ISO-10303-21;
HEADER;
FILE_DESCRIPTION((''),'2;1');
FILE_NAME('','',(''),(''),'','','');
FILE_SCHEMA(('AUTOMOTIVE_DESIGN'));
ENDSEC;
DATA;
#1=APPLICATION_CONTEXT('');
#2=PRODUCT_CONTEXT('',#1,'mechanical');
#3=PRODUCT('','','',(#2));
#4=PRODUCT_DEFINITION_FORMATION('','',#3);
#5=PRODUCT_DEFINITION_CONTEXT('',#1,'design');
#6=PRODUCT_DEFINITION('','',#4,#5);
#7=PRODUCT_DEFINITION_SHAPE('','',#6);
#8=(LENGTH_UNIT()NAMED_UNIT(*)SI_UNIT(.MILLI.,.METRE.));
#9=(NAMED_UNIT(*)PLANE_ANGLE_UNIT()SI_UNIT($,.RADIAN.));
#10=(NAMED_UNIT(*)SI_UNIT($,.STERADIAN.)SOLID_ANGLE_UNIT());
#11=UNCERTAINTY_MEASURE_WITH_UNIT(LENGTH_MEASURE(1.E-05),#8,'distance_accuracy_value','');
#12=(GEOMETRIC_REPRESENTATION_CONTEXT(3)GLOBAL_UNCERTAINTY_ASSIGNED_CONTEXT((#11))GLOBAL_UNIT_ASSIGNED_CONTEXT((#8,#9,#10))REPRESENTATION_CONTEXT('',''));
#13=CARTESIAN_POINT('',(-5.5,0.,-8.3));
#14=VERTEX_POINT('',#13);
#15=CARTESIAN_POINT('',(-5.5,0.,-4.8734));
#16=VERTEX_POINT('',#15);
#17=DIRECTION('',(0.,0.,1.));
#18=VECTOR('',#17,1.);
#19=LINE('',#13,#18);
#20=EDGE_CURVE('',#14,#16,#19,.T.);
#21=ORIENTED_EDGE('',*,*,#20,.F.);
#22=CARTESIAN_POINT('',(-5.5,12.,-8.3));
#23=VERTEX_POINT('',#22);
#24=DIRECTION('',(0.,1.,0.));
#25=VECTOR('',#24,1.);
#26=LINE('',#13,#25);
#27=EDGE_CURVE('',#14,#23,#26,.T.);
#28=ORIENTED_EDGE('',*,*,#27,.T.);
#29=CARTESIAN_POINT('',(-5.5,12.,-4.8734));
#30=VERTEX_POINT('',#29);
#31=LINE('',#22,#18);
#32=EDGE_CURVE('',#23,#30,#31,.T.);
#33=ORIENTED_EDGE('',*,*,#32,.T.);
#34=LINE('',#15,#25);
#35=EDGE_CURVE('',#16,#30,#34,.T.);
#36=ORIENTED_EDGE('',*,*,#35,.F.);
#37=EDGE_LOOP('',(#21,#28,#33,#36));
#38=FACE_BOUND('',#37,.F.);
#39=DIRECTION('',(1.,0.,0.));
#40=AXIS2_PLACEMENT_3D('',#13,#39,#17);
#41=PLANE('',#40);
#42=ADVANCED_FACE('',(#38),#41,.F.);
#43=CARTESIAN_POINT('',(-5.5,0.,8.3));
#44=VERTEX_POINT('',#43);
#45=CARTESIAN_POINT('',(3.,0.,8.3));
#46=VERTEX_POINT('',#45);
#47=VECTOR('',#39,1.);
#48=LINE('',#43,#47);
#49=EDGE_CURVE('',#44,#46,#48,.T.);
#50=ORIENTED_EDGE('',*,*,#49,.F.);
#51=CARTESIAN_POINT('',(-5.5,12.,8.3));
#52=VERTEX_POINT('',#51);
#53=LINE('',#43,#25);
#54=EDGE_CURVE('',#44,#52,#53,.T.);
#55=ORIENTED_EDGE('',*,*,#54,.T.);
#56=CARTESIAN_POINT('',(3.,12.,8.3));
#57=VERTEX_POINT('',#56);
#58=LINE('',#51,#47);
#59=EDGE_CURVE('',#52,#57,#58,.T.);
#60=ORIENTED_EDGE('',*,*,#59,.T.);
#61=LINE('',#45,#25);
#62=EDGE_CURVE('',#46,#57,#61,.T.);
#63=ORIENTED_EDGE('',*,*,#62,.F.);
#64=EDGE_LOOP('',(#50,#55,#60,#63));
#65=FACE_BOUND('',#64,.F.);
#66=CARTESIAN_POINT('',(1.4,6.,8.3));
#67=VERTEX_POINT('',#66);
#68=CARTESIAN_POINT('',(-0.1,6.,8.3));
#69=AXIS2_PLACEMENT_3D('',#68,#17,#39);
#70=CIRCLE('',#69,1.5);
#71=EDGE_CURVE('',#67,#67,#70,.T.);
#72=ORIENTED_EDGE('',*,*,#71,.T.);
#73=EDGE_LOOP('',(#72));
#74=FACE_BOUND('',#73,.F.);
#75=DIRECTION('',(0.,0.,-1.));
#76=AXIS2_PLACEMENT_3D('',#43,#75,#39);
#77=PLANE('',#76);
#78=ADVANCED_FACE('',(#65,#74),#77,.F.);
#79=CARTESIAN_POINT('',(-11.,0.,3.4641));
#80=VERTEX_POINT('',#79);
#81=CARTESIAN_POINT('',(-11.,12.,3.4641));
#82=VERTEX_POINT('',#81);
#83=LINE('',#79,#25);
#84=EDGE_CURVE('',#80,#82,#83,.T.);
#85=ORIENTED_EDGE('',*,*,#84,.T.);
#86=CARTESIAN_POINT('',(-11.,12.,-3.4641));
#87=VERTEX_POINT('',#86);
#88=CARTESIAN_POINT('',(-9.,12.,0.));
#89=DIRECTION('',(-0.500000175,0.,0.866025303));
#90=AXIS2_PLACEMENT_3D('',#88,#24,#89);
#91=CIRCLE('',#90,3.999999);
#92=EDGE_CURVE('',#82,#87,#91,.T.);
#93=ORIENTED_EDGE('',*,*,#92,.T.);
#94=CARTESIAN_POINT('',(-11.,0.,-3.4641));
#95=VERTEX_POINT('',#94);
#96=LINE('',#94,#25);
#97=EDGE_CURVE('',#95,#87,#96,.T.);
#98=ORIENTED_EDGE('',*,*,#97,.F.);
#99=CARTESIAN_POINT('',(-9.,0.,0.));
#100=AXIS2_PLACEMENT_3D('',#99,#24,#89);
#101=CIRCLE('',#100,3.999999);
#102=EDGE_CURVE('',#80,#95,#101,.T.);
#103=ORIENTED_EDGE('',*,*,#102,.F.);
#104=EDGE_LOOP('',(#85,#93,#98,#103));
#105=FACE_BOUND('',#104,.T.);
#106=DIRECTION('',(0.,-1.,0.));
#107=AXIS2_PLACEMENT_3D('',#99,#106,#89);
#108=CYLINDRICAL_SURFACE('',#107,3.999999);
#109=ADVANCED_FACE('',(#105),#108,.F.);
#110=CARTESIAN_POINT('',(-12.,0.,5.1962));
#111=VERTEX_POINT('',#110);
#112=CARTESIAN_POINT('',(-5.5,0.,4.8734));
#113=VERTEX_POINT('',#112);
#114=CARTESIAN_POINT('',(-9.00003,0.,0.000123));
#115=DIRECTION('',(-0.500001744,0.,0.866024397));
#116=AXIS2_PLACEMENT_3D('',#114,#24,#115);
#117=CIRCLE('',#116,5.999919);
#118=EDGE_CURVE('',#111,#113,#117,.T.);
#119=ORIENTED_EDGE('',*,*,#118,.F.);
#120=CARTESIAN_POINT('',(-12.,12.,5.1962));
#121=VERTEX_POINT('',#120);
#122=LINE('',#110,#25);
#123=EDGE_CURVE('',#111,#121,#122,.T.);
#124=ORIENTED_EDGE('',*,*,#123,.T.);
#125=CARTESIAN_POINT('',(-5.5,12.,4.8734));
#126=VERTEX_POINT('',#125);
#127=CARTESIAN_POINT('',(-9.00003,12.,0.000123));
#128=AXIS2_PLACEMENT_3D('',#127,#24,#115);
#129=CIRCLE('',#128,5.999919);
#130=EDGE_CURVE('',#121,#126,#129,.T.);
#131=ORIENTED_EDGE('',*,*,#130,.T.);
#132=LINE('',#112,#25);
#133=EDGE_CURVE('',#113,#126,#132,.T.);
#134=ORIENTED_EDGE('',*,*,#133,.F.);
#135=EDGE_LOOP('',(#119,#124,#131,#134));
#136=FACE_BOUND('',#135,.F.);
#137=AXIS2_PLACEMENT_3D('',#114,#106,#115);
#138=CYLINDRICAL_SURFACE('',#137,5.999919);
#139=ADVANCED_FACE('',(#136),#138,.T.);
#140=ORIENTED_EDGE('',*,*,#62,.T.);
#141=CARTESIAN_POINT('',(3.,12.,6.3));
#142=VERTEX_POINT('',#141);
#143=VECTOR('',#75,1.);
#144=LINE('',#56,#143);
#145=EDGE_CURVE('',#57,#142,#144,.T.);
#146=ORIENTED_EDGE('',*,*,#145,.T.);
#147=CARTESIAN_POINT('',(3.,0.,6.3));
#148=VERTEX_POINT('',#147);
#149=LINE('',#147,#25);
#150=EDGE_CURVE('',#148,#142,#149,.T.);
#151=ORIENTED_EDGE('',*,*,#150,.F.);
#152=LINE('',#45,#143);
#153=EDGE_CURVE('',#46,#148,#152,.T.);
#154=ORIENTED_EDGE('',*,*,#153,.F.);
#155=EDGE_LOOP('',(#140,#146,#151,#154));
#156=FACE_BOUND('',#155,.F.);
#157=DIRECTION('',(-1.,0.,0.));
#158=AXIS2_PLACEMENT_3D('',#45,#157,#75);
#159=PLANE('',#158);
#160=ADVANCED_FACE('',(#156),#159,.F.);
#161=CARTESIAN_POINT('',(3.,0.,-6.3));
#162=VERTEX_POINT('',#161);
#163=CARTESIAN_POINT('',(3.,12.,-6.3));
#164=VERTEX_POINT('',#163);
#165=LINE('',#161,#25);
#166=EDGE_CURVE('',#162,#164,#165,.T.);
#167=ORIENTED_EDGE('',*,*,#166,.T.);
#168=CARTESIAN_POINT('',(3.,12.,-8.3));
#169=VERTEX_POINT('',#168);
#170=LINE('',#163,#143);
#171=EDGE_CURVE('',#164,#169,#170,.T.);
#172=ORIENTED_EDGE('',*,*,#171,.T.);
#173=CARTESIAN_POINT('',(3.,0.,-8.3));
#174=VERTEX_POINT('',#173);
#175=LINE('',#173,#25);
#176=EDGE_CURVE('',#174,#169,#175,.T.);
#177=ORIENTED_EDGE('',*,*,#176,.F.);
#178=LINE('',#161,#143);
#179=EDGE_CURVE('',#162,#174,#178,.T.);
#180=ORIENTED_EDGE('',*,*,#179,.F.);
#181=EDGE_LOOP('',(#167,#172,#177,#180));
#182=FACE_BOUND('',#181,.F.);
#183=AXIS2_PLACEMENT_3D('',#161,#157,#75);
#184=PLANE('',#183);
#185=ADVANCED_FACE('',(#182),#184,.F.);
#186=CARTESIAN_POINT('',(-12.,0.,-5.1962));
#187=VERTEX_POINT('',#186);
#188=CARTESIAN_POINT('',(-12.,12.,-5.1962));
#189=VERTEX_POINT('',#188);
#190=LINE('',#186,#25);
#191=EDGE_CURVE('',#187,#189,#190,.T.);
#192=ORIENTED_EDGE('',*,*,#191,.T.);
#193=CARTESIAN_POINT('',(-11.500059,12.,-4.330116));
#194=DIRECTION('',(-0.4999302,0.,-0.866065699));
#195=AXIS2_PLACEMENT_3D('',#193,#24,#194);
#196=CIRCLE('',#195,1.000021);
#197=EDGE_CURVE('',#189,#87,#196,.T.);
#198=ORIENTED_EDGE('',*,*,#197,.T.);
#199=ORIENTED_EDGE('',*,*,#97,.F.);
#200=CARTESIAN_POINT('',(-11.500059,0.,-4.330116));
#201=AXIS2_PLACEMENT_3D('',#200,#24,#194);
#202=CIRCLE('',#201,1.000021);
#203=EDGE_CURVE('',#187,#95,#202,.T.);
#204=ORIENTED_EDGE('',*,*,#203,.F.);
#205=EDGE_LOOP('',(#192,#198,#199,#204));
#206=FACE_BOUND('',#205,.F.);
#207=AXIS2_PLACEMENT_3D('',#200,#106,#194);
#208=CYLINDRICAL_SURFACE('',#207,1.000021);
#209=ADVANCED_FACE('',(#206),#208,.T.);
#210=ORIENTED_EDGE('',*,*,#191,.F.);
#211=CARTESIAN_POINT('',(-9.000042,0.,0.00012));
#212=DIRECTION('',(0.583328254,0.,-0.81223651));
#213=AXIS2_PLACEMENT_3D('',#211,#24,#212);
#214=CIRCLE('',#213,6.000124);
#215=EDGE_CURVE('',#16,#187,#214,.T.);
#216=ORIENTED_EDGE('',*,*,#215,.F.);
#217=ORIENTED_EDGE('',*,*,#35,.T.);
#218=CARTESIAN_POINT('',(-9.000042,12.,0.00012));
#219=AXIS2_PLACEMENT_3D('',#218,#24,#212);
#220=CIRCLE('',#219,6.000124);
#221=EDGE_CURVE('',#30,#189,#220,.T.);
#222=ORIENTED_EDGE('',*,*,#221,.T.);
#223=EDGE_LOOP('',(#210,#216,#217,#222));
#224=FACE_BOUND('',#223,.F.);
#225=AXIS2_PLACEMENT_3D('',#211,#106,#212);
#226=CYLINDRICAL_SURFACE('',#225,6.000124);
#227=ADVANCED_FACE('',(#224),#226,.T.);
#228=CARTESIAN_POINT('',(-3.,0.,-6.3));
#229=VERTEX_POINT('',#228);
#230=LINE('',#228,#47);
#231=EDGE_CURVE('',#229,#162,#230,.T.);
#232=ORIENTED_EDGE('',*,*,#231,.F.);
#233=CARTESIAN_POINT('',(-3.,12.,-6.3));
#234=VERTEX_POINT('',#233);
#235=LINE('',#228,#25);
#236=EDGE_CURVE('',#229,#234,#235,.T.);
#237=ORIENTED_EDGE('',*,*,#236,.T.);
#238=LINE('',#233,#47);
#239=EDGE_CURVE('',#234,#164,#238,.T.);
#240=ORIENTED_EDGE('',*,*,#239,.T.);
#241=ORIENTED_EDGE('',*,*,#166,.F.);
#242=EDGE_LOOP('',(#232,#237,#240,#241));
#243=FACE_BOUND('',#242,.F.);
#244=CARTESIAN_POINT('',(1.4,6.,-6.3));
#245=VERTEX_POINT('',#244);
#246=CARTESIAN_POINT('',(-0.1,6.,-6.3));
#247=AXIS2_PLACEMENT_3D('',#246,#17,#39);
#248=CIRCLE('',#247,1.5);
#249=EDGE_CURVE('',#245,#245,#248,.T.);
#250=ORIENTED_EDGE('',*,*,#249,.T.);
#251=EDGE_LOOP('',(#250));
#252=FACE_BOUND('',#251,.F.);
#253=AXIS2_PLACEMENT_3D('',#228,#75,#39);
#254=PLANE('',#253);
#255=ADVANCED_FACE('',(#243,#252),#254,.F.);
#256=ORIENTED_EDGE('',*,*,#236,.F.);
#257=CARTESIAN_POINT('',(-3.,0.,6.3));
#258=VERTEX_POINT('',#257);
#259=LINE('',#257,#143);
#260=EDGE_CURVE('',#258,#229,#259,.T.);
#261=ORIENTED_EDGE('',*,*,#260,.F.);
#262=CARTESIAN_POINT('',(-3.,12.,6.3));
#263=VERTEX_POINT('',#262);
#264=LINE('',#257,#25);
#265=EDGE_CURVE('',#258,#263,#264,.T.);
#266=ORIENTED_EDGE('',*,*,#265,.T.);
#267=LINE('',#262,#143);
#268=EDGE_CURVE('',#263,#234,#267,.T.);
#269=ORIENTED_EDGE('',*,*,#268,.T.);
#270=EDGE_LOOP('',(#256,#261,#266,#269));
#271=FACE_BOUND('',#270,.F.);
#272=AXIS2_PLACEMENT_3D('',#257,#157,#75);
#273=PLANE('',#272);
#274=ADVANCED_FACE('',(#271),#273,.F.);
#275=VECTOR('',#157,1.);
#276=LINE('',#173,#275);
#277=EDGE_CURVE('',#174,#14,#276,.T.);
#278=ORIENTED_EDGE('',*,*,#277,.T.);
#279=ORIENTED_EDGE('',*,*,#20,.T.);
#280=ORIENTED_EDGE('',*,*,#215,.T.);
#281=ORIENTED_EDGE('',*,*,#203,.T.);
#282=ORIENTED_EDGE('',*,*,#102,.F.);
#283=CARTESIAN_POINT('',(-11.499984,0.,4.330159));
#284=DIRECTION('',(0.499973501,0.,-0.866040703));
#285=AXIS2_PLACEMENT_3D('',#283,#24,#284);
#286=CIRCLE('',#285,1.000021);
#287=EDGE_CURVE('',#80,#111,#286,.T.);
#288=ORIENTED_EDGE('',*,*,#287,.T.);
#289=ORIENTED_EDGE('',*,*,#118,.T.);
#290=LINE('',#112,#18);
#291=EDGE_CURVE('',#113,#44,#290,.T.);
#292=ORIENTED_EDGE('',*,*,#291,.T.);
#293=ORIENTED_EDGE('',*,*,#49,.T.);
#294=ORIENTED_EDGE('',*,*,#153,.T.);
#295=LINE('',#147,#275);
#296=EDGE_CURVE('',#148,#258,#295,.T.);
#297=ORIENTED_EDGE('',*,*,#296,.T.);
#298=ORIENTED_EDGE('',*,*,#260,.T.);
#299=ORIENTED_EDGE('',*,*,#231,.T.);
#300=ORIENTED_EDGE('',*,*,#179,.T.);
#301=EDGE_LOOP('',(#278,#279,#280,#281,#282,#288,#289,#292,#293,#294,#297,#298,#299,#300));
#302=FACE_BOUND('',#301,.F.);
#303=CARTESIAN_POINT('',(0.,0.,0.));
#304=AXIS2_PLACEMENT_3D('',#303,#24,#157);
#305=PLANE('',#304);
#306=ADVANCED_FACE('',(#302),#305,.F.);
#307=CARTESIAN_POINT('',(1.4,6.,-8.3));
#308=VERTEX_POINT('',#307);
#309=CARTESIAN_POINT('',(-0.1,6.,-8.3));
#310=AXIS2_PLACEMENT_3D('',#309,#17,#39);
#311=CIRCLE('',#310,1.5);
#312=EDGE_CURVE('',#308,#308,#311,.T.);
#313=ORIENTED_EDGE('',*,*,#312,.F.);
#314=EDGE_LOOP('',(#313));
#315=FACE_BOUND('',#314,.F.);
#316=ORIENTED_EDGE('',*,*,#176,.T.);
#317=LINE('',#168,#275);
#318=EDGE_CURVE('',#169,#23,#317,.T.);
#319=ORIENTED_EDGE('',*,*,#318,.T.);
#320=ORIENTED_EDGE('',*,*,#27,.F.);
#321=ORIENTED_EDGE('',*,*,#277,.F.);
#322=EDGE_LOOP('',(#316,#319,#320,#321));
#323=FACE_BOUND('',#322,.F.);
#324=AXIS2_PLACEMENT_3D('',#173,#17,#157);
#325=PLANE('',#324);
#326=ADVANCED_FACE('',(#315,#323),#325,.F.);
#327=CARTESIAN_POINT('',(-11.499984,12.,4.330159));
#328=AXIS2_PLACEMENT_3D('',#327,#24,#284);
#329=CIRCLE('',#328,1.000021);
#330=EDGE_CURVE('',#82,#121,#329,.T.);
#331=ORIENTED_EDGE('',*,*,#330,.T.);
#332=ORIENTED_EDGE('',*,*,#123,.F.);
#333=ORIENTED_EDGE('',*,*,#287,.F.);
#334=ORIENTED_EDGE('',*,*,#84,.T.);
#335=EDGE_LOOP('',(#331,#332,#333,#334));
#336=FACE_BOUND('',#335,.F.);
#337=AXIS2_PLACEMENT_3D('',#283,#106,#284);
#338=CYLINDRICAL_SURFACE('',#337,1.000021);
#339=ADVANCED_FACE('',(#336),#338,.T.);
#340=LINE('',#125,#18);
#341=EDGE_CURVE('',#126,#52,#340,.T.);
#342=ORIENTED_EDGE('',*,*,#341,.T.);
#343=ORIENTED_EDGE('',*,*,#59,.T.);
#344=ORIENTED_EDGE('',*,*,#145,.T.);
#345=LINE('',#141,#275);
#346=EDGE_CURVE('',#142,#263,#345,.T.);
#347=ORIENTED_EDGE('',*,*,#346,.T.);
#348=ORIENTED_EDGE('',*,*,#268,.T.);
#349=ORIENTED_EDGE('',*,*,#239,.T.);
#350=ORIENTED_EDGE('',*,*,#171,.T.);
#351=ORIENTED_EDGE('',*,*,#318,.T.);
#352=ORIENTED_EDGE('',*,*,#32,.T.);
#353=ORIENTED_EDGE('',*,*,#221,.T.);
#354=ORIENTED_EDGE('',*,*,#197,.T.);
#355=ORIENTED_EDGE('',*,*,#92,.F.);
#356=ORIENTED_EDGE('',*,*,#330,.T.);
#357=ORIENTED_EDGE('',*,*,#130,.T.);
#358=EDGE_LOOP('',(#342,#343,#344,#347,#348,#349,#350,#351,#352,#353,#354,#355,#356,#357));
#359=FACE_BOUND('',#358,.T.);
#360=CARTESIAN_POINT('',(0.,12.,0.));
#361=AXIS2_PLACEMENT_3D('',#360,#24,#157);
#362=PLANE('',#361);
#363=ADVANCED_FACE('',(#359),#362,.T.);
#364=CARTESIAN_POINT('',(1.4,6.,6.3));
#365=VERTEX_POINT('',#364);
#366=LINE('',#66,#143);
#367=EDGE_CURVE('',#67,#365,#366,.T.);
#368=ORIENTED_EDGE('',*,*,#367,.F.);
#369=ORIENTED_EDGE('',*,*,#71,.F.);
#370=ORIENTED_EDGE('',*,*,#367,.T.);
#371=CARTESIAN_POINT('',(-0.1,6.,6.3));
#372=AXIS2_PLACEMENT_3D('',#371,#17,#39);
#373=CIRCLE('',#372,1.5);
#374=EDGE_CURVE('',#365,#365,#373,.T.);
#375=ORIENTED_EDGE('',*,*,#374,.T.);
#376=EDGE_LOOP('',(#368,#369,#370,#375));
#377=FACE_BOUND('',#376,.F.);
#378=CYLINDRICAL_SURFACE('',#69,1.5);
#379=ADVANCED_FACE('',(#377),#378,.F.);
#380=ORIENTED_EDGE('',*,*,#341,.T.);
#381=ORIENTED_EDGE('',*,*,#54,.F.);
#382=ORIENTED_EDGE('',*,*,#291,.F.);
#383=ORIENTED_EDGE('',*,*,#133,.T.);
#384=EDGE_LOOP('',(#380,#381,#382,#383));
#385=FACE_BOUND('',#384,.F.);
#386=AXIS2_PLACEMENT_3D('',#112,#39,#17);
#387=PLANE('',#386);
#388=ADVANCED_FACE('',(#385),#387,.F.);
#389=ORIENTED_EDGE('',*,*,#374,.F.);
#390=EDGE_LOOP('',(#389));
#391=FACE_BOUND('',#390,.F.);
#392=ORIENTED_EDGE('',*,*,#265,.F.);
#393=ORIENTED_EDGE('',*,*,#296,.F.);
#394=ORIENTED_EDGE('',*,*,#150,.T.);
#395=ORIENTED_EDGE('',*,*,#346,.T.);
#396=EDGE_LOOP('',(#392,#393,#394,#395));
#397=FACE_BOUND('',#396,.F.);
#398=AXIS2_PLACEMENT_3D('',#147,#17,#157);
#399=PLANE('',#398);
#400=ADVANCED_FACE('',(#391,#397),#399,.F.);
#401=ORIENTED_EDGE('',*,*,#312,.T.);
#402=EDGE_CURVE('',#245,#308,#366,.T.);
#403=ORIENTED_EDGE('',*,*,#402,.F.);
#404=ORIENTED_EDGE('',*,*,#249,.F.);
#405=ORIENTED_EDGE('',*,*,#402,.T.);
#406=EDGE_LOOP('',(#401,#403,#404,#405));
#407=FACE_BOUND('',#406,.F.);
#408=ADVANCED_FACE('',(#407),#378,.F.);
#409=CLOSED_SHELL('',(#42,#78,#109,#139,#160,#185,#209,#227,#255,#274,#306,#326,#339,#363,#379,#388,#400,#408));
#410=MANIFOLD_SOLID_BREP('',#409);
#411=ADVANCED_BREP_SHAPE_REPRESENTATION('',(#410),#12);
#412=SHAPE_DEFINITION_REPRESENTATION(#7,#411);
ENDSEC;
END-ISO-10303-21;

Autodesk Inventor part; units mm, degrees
ref_plane "YZ Plane" through (0, 0, 0) normal (1, 0, 0) x (0, 1, 0)
ref_plane "XZ Plane" through (0, 0, 0) normal (0, 1, 0) x (-1, 0, 0)
ref_plane "XY Plane" through (0, 0, 0) normal (0, 0, 1) x (1, 0, 0)
sketch "Sketch1" plane through (0, 0, 0) normal (0, 1, 0) x (-1, 0, 0)
  line L0 (5.5, 8.3) -> (-3, 8.3)
  line L1 (-3, -8.3) -> (5.5, -8.3)
  line L2 (-3, 6.3) -> (3, 6.3)
  line L3 (3, 6.3) -> (3, -6.3)
  line L4 (3, -6.3) -> (-3, -6.3)
  arc A0 (11, 3.4641) -> (11, -3.4641) centre (9, 0) ccw
  line L5 (5.5, -8.3) -> (5.5, -4.8734)
  line L6 (5.5, 4.8734) -> (5.5, 8.3)
  line L7 (-3, 8.3) -> (-3, 6.3)
  line L8 (-3, -6.3) -> (-3, -8.3)
  arc A1 (11, 3.4641) -> (12, 5.1962) centre (11.5, 4.3301) ccw
  arc A2 (12, -5.1962) -> (11, -3.4641) centre (11.5, -4.3301) ccw
  arc A3 (5.5, -4.8734) -> (12, -5.1962) centre (9, 0) ccw
  arc A4 (12, 5.1962) -> (5.5, 4.8734) centre (9, 0) ccw
  point P0 (0, 0)
  point P1 (3, 0)
  point P2 (-6.8446, 0)
  point P3 (-6.8446, 0)
  point P4 (0, 6.3)
  point P5 (0, -6.3)
  dimension "d1" = 8
  dimension "d2" = 2.5
  dimension "d3" = 12.6
  dimension "d4" = 2
  dimension "d5" = 6
  dimension "d6" = 2.5
  dimension "d7" = 2.5
  dimension "d8" = 6
  dimension "d9" = 6
  dimension "d10" = 6
extrude "Extrusion1" add sketch "Sketch1" along normal blind 12
sketch "Sketch2" plane through (-5.5, 0, 8.3) normal (0, 0, 1) x (1, 0, 0)
  circle A0 centre (5.4, 6) radius 1.5
  line L0 (2.5, 0) -> (2.5, 12) projected
  point P0 (5.5, 0)
  dimension "d13" = 2.9
  dimension "d14" = 6
  dimension "d15" = 3
extrude "Extrusion2" cut sketch "Sketch2" against normal blind 65.75
properties part number "6mm Weight Clamp"
